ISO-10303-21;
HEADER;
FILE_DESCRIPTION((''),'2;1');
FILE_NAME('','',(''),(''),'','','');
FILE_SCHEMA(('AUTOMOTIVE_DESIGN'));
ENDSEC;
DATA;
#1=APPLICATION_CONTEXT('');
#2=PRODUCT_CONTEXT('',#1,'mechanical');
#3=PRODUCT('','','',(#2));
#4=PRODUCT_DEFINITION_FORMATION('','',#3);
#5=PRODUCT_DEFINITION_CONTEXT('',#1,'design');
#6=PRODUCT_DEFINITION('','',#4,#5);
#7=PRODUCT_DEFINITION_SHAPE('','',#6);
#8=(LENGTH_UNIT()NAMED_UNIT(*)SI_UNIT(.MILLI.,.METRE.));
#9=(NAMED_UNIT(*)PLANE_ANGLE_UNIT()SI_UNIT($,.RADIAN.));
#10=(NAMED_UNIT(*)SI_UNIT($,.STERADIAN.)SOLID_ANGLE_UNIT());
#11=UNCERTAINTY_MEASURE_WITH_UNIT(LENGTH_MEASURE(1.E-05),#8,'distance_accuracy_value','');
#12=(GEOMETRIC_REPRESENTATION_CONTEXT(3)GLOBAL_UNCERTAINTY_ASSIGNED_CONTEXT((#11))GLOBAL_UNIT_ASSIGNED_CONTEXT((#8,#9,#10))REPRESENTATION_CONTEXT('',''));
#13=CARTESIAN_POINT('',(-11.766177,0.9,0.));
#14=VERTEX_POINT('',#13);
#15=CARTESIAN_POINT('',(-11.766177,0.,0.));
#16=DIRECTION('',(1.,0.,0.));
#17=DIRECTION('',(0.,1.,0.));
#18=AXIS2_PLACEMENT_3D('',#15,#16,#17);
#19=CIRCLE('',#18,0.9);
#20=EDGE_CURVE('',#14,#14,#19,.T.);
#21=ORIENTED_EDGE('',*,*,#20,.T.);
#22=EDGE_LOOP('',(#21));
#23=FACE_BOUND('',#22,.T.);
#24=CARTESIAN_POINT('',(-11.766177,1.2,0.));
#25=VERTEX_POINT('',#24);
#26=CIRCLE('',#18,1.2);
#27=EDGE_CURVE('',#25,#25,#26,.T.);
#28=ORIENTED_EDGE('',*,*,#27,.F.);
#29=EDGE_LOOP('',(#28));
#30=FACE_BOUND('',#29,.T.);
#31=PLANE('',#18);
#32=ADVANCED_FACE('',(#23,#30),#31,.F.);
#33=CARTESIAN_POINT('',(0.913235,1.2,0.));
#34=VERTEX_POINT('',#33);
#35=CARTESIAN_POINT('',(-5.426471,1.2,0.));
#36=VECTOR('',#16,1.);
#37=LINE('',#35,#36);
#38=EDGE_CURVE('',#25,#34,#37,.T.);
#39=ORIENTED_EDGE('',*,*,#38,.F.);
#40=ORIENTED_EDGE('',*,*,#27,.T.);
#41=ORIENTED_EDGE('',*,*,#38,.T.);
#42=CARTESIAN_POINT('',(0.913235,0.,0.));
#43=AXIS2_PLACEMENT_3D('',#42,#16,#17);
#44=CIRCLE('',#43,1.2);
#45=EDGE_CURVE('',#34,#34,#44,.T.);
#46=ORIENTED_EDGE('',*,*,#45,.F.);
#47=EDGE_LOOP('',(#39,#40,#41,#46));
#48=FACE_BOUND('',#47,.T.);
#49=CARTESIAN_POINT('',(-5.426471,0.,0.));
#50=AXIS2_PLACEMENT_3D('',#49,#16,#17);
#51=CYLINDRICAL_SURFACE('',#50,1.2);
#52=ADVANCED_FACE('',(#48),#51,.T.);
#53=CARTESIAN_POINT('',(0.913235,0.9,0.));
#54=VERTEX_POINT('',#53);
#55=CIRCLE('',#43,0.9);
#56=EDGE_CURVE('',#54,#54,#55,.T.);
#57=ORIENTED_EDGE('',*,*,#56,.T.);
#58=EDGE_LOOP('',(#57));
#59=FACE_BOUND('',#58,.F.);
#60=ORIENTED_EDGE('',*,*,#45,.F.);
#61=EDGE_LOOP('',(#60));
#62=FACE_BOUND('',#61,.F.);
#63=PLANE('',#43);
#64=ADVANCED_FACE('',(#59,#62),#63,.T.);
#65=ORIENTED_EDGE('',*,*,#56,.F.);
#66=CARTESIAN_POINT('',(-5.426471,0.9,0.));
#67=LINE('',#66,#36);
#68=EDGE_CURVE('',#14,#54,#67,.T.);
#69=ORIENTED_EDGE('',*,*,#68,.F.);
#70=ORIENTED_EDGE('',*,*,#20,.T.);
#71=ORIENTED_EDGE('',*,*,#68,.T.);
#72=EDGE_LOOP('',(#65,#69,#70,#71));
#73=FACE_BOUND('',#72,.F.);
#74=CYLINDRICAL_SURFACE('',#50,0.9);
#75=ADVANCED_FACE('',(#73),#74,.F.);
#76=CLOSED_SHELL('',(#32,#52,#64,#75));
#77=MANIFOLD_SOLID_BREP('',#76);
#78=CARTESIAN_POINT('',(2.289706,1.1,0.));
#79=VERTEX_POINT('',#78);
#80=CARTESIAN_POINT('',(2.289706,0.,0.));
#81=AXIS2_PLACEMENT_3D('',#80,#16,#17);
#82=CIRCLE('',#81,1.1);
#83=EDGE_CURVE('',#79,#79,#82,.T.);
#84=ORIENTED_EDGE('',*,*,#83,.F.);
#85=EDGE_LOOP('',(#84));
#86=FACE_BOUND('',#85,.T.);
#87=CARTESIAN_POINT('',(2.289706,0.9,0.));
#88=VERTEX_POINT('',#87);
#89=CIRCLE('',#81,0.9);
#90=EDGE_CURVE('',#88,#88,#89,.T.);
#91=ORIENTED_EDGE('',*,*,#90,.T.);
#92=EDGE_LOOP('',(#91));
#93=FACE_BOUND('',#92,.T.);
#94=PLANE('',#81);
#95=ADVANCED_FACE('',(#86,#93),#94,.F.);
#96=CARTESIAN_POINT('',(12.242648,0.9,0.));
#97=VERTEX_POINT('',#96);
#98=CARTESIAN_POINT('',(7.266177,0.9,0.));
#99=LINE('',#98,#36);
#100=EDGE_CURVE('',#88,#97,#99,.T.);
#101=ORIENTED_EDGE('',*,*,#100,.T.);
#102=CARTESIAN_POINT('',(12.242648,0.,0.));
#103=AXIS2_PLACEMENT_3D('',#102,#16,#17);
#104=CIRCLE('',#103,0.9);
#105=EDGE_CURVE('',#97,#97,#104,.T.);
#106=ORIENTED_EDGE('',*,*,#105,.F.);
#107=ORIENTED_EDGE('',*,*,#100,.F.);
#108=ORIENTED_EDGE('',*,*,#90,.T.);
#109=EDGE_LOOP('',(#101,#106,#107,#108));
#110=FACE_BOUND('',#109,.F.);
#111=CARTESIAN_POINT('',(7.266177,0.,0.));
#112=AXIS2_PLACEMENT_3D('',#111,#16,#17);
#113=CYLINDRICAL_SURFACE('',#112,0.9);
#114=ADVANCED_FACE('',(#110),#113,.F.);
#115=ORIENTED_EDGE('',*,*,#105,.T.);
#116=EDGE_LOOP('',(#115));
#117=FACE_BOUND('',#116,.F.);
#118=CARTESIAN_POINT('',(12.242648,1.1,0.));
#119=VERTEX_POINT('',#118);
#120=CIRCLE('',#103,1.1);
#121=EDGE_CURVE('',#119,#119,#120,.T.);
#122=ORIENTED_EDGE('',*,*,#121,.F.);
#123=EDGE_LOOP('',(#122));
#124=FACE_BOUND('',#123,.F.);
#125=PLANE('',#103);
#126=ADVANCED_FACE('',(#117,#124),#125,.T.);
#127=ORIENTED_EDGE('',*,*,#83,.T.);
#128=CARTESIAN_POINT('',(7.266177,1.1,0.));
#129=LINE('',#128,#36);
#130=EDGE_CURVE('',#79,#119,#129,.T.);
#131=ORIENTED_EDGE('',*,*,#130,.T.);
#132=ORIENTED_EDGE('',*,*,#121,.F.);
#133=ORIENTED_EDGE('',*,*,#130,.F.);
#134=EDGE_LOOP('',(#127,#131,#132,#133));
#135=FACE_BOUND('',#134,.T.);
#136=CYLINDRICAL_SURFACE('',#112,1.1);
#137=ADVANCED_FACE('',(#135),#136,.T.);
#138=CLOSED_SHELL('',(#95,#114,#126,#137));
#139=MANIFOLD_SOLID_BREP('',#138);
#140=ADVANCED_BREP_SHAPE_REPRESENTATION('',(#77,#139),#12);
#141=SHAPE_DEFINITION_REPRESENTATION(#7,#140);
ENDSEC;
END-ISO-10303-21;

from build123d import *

# Parameters (mm, degrees)
F0_W   = 12.679413
F0_H   = 0.3
F0_W_2 = 9.952943
F0_H_2 = 0.2


with BuildPart() as f1:
    # F0 (on Top) → F1 (revolve)
    with BuildSketch(Plane.XY):
        with Locations((-5.426471, 1.05)):
            Rectangle(F0_W, F0_H)
        with Locations((7.266177, 1)):
            Rectangle(F0_W_2, F0_H_2)
    revolve(axis=Axis((-0.119118, 0, 0), (1, 0, 0)))


solid = f1.part
